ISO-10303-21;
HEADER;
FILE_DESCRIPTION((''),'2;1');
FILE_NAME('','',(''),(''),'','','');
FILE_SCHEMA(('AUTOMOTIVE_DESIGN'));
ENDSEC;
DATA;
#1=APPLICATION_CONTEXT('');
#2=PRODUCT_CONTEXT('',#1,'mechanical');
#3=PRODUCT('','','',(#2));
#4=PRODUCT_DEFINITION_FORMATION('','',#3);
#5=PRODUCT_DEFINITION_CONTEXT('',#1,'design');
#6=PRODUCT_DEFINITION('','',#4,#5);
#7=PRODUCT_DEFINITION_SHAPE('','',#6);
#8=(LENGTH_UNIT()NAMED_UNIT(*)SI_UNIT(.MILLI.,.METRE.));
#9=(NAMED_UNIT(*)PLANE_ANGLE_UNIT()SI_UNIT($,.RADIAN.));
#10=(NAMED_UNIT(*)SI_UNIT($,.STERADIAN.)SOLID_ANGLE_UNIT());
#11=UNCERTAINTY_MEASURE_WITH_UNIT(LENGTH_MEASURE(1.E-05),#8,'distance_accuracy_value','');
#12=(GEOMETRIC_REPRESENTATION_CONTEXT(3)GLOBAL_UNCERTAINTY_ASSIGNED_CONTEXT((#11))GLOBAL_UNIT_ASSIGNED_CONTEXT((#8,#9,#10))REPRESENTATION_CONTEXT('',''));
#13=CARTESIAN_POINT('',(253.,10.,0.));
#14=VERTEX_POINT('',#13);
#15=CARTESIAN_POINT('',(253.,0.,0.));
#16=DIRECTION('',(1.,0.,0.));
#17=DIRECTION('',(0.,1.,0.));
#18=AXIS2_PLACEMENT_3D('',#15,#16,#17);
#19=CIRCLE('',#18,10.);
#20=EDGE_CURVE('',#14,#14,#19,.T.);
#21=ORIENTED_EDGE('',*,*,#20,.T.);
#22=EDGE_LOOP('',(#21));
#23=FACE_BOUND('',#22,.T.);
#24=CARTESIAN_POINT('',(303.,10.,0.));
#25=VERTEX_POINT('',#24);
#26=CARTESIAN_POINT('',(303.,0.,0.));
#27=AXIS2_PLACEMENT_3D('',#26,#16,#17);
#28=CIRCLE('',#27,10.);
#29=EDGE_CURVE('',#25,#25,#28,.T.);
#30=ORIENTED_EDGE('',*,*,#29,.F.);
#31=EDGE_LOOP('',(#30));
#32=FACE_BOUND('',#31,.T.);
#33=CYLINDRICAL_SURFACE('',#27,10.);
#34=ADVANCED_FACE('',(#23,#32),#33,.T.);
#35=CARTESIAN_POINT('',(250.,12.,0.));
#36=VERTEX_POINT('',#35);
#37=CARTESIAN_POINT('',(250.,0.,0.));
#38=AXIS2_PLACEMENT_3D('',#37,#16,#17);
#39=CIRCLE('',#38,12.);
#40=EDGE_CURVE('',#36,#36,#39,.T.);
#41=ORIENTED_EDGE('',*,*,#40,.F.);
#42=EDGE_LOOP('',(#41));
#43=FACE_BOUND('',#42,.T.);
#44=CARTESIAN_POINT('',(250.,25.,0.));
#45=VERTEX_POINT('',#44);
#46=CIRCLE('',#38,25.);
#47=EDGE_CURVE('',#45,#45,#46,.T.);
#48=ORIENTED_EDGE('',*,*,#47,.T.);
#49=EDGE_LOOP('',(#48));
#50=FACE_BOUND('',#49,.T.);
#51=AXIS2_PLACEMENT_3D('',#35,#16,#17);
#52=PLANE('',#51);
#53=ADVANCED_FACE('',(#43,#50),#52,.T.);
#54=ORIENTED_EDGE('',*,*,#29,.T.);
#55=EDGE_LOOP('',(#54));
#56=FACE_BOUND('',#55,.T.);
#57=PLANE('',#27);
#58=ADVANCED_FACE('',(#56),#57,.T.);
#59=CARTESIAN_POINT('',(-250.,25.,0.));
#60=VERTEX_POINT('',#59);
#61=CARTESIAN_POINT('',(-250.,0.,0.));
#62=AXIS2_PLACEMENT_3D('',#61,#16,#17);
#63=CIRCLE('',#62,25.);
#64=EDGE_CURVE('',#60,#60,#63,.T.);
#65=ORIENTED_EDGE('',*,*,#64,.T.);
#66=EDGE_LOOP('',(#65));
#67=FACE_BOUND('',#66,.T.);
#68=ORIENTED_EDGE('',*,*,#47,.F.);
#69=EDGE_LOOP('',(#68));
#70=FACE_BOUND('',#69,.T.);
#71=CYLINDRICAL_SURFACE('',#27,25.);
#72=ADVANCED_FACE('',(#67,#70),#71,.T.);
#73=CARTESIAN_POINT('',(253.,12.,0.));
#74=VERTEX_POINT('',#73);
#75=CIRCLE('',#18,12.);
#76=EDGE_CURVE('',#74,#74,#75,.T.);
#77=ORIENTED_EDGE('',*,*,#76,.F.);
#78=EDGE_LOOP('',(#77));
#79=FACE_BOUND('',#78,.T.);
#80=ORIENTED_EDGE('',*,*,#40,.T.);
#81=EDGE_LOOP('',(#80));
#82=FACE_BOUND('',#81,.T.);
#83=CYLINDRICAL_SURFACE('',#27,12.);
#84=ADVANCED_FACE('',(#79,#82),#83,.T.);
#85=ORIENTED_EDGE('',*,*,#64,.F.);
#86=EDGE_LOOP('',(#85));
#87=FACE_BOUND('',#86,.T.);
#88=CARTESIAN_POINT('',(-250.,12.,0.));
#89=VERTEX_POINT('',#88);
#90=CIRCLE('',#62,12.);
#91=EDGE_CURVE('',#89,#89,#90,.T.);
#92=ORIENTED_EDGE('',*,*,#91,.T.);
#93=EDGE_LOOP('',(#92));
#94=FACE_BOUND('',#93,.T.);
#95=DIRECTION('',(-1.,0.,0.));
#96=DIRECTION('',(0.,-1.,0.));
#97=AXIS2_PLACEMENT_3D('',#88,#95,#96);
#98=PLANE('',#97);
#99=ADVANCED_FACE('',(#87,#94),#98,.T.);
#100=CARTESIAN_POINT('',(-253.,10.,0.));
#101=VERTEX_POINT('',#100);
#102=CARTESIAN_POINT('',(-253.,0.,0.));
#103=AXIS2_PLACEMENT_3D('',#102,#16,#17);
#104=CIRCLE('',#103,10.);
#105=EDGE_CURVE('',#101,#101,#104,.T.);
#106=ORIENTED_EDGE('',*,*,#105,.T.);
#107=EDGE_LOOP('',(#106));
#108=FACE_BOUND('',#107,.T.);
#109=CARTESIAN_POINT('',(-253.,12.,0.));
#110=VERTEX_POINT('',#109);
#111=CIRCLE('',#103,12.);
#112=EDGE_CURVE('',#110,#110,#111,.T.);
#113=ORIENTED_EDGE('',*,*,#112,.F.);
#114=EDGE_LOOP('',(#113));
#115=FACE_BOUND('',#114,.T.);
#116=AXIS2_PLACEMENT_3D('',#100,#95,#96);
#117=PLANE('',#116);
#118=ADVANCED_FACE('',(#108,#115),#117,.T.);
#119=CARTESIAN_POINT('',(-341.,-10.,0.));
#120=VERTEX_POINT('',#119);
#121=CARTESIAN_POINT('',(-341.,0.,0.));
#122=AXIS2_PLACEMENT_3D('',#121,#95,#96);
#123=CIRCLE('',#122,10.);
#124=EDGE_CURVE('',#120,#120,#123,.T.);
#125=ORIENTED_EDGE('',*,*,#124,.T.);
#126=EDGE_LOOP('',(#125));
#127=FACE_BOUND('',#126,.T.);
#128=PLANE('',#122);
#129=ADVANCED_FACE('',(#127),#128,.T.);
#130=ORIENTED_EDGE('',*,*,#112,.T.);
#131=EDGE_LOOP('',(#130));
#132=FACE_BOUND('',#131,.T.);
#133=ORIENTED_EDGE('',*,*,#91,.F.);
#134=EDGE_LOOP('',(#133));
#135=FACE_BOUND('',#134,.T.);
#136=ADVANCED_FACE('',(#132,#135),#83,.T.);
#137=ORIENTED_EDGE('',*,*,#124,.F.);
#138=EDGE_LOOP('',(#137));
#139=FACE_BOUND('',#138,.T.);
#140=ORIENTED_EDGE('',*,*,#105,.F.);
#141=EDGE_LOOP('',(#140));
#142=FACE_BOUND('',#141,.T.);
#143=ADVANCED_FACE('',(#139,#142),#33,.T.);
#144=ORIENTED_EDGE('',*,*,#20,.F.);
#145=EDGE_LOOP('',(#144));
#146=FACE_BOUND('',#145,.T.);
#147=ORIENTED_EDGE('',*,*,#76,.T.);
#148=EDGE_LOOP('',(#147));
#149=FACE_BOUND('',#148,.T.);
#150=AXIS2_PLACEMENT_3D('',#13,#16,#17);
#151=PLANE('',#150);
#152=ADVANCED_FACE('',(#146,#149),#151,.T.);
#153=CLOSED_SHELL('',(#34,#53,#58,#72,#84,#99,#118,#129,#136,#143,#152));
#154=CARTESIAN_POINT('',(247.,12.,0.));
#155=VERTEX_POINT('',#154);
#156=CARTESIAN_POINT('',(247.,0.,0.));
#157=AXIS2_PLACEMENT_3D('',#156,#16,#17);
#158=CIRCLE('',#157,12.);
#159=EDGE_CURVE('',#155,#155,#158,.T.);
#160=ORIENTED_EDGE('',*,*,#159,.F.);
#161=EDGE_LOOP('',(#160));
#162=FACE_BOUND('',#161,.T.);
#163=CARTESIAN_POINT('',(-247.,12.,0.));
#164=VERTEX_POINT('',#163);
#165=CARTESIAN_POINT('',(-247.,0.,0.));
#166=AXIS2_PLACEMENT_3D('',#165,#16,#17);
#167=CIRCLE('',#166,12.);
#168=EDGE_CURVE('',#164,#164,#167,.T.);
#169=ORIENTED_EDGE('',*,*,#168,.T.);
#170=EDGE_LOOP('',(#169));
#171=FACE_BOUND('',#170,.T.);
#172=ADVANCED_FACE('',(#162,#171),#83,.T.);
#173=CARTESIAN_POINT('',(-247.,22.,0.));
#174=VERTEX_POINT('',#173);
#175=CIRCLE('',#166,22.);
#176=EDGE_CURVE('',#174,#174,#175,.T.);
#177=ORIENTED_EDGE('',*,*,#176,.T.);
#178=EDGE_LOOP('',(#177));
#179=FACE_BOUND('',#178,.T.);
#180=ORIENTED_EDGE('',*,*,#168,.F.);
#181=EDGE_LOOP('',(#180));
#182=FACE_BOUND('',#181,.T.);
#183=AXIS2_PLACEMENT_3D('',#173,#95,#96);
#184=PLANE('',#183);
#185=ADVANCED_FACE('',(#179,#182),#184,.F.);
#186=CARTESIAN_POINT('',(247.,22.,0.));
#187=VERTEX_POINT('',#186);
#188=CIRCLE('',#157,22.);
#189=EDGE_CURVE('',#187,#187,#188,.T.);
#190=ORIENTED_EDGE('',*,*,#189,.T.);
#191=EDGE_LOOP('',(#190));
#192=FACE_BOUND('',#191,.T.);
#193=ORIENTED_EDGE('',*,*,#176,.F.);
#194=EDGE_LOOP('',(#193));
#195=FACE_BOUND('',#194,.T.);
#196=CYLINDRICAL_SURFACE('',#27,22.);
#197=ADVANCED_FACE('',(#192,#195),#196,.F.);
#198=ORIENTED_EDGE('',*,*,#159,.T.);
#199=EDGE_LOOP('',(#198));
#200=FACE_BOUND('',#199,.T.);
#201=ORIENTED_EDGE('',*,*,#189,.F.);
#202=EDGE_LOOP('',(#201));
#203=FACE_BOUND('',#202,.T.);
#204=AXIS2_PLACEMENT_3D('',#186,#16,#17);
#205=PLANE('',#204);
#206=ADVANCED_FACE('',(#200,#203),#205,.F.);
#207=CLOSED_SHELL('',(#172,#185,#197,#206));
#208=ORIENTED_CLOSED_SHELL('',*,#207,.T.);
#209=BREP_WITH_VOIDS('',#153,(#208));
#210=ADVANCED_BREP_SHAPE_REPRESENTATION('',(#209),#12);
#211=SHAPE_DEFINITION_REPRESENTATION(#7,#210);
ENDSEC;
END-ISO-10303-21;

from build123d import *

# Parameters (mm, degrees)
SKETCH_1_W      = 494
SKETCH_1_H      = 10
SKETCH_2_R      = 10
EXTRUDE_1_DEPTH = 76


with BuildPart() as part:
    # 草图1 → 旋转1 (revolve)
    with BuildSketch(Plane.XY):
        Polygon((-265, 0), (-265, 10), (-253, 10), (-253, 12), (-250, 12), (-250, 25), (250, 25), (250, 12), (253, 12), (253, 10), (303, 10), (303, 0), align=None)
        with Locations((0, 17)):
            Rectangle(SKETCH_1_W, SKETCH_1_H, mode=Mode.SUBTRACT)
    revolve(axis=Axis((303, 0, 0), (-1, 0, 0)))

    # 草图2 → 凸台-拉伸1 (add)
    with BuildSketch(Plane.ZY.offset(265)):
        with Locations(Location((0, 0, 0), (0, 0, 90))):
            Circle(SKETCH_2_R)
    extrude(amount=EXTRUDE_1_DEPTH)


solid = part.part
